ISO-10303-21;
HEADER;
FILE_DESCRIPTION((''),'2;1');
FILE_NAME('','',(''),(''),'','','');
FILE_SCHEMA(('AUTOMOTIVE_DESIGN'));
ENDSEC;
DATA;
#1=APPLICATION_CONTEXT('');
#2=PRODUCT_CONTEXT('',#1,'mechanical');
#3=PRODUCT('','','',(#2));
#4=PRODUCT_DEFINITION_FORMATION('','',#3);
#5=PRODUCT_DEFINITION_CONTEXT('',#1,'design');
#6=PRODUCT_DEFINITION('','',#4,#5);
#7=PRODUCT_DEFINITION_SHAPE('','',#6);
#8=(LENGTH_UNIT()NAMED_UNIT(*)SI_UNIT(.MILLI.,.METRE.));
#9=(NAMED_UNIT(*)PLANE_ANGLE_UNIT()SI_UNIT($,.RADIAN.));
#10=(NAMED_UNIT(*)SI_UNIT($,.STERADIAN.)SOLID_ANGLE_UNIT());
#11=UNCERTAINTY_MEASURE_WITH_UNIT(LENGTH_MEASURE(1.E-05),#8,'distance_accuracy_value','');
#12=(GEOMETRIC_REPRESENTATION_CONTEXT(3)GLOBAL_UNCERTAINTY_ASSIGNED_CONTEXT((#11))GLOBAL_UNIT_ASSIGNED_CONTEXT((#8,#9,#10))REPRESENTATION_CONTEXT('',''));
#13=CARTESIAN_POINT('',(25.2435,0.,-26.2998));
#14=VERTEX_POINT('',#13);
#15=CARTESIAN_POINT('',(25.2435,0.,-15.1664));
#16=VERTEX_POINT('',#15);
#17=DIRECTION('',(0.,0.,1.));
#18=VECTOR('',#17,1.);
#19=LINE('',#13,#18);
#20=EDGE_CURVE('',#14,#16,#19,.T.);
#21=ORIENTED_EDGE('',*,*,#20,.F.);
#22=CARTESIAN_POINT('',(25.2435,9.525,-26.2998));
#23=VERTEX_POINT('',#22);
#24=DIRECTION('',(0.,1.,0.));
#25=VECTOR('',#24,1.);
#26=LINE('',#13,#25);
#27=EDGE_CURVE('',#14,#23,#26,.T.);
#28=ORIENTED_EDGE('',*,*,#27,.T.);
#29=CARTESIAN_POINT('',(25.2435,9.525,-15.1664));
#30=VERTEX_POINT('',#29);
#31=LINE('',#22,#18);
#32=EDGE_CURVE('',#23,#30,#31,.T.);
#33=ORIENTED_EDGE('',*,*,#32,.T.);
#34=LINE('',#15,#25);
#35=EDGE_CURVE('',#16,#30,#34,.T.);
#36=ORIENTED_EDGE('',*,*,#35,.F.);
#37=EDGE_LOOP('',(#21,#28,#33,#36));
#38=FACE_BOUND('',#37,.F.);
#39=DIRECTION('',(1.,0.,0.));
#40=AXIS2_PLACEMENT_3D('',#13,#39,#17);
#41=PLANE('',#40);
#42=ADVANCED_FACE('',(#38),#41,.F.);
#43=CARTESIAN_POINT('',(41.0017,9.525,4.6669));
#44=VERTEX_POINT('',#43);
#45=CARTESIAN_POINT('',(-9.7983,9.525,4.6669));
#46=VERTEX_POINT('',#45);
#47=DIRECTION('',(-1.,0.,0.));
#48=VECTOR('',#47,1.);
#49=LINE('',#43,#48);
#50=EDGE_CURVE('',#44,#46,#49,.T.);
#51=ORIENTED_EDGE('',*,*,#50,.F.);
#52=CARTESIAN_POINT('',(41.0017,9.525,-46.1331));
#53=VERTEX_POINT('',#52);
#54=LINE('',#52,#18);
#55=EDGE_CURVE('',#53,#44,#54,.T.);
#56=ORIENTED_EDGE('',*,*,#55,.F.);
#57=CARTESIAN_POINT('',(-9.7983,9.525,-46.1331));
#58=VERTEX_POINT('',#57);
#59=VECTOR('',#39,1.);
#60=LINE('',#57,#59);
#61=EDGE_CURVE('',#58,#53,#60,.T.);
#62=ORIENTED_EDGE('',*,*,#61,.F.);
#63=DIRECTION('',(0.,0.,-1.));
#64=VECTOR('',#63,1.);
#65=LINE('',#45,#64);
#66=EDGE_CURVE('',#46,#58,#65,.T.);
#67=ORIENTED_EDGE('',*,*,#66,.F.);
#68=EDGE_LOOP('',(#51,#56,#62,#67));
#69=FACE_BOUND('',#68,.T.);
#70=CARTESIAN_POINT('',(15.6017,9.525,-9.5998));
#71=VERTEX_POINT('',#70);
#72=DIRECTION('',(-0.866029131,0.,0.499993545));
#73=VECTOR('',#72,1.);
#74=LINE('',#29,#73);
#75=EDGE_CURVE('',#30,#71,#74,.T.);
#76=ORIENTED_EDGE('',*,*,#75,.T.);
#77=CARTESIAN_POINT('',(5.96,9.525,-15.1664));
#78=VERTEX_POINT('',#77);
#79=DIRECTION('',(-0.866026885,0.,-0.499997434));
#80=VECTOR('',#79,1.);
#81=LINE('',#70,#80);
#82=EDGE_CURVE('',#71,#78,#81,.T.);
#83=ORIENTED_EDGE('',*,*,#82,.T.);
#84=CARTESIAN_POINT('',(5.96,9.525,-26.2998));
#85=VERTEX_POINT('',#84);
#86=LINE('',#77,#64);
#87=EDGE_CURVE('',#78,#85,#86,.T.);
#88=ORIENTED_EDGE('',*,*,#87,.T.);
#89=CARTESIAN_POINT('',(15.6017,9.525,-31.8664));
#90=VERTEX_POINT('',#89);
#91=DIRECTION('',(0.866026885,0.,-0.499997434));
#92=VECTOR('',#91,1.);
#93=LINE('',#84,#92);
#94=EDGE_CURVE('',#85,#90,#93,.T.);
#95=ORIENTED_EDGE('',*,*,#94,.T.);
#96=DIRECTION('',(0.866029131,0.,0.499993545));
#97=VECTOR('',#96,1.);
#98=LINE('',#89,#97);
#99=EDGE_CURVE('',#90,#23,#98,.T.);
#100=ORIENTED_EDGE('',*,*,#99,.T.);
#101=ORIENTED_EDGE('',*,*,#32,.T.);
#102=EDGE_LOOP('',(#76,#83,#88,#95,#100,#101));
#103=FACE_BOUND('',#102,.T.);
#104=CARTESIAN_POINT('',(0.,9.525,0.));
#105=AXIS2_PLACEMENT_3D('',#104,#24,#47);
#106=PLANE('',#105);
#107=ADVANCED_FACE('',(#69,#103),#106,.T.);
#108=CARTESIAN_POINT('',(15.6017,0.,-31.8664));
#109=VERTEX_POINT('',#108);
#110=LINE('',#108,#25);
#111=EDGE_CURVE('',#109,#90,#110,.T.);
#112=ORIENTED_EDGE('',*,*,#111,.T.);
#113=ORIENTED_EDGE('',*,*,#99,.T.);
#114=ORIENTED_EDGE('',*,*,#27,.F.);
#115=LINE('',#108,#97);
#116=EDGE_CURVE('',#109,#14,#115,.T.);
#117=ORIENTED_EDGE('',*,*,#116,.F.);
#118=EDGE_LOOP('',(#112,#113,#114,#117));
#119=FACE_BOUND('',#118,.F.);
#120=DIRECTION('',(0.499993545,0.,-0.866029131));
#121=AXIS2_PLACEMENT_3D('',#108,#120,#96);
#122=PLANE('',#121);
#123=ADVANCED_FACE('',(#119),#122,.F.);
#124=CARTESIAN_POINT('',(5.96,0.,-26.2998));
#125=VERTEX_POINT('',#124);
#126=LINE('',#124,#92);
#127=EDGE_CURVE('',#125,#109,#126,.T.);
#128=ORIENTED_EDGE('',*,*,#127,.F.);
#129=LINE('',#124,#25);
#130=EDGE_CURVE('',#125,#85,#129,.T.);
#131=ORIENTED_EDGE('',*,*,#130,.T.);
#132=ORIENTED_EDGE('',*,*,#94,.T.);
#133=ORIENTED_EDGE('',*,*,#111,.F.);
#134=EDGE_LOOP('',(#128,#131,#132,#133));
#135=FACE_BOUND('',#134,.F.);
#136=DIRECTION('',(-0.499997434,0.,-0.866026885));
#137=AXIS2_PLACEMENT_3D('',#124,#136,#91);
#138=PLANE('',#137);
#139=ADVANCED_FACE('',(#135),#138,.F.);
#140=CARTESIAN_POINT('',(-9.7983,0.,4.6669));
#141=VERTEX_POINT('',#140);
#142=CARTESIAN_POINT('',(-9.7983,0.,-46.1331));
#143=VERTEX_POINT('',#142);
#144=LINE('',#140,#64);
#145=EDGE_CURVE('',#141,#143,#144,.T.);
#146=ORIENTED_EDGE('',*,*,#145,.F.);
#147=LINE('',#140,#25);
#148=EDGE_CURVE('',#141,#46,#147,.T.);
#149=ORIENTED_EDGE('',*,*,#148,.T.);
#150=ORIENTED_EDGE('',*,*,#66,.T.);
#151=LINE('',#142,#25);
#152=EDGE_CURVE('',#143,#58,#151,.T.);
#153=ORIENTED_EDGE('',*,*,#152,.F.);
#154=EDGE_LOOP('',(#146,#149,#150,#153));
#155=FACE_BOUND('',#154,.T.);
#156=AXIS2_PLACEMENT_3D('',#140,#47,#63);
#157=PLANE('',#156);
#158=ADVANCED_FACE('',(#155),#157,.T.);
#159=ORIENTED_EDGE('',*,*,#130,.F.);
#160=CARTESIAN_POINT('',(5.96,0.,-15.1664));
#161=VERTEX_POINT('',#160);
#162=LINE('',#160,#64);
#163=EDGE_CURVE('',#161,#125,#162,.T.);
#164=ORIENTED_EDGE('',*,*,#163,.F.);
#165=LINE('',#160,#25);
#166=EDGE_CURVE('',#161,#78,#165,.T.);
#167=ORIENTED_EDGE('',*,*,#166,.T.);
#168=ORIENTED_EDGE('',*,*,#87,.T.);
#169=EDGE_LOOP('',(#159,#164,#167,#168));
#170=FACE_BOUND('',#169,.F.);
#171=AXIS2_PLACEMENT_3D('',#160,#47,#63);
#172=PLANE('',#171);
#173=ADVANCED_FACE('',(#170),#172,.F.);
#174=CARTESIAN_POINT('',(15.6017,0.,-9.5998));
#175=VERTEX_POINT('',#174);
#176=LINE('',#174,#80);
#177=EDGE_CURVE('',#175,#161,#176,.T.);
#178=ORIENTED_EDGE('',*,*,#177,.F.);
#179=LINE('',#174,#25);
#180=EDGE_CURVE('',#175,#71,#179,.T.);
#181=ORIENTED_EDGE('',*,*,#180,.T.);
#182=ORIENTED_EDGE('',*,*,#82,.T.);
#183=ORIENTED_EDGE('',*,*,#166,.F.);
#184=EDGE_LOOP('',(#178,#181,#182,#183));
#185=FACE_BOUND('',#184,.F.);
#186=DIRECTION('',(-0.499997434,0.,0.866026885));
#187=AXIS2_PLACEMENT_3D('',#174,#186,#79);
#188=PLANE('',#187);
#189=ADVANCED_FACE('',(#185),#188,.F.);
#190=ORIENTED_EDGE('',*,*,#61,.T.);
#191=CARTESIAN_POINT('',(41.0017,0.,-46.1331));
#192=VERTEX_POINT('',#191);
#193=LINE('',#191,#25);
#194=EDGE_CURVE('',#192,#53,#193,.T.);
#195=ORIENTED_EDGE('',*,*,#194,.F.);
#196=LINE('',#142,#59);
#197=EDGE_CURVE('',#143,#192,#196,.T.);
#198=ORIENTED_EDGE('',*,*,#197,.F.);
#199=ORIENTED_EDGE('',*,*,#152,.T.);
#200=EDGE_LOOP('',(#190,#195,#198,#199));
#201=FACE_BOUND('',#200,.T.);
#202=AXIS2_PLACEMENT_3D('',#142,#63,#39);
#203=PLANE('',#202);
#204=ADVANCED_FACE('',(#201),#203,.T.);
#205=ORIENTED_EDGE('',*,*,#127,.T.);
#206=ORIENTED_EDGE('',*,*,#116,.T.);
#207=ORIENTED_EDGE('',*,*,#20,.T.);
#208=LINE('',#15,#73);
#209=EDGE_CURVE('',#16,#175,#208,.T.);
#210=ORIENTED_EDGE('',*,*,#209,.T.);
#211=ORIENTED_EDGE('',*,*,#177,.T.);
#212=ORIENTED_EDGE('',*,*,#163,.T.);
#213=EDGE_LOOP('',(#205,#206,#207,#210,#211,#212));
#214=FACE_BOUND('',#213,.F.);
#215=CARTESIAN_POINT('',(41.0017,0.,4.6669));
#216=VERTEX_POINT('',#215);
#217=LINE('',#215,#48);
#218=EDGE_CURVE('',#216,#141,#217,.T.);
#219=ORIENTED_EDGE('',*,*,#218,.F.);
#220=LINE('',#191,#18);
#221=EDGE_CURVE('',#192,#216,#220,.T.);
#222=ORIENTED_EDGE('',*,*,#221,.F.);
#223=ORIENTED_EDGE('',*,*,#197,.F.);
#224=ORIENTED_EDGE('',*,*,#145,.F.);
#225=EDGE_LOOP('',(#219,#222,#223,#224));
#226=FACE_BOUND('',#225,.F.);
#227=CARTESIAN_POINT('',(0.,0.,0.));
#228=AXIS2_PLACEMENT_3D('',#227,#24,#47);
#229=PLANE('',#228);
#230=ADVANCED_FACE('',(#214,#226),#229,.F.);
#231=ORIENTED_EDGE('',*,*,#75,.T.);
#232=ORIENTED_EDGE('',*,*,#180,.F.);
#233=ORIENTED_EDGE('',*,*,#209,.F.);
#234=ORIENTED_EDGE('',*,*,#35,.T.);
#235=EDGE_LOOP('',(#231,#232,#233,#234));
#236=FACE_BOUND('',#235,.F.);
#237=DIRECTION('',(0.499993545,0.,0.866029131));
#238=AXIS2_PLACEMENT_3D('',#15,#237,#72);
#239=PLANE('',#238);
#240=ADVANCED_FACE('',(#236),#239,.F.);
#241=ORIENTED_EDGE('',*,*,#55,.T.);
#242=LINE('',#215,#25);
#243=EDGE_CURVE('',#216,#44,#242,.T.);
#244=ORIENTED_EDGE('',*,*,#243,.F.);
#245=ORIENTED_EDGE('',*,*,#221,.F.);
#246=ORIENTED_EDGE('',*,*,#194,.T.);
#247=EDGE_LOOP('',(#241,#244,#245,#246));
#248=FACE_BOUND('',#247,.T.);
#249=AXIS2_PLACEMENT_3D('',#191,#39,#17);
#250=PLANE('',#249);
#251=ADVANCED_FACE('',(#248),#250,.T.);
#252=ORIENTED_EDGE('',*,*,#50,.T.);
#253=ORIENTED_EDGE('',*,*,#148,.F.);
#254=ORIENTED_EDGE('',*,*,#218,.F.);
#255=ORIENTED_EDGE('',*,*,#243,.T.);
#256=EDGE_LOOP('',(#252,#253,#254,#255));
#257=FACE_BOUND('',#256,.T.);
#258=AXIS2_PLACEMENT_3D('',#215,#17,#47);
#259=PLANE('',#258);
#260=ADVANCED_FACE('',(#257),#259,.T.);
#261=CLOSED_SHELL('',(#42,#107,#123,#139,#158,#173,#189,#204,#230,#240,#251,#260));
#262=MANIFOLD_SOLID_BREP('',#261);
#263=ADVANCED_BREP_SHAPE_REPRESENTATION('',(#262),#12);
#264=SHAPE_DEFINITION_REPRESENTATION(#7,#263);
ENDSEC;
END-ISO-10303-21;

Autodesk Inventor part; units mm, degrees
ref_plane "YZ Plane" through (0, 0, 0) normal (1, 0, 0) x (0, 1, 0)
ref_plane "XZ Plane" through (0, 0, 0) normal (0, 1, 0) x (-1, 0, 0)
ref_plane "XY Plane" through (0, 0, 0) normal (0, 0, 1) x (1, 0, 0)
sketch "Sketch1" plane through (0, 0, 0) normal (0, 1, 0) x (-1, 0, 0)
  line L0 (9.7983, 4.6669) -> (9.7983, -46.1331)
  line L1 (9.7983, -46.1331) -> (-41.0017, -46.1331)
  line L2 (-41.0017, -46.1331) -> (-41.0017, 4.6669)
  line L3 (-41.0017, 4.6669) -> (9.7983, 4.6669)
  line L4 (-15.6017, -31.8664) -> (-25.2435, -26.2998)
  line L5 (-25.2435, -26.2998) -> (-25.2435, -15.1664)
  line L6 (-25.2435, -15.1664) -> (-15.6017, -9.5998)
  line L7 (-15.6017, -9.5998) -> (-5.96, -15.1664)
  line L8 (-5.96, -15.1664) -> (-5.96, -26.2998)
  line L9 (-5.96, -26.2998) -> (-15.6017, -31.8664)
  point P0 (0, 0)
  point P1 (-15.6017, -20.7331)
  point P2 (-20.4226, -29.0831)
  point P3 (-10.7809, -12.3831)
  dimension "d0" = 50.8
  dimension "d1" = 50.8
  dimension "d2" = 16.7
extrude "Extrusion1" add sketch "Sketch1" along normal blind 9.525
properties part number "Hex Box +4mm"
